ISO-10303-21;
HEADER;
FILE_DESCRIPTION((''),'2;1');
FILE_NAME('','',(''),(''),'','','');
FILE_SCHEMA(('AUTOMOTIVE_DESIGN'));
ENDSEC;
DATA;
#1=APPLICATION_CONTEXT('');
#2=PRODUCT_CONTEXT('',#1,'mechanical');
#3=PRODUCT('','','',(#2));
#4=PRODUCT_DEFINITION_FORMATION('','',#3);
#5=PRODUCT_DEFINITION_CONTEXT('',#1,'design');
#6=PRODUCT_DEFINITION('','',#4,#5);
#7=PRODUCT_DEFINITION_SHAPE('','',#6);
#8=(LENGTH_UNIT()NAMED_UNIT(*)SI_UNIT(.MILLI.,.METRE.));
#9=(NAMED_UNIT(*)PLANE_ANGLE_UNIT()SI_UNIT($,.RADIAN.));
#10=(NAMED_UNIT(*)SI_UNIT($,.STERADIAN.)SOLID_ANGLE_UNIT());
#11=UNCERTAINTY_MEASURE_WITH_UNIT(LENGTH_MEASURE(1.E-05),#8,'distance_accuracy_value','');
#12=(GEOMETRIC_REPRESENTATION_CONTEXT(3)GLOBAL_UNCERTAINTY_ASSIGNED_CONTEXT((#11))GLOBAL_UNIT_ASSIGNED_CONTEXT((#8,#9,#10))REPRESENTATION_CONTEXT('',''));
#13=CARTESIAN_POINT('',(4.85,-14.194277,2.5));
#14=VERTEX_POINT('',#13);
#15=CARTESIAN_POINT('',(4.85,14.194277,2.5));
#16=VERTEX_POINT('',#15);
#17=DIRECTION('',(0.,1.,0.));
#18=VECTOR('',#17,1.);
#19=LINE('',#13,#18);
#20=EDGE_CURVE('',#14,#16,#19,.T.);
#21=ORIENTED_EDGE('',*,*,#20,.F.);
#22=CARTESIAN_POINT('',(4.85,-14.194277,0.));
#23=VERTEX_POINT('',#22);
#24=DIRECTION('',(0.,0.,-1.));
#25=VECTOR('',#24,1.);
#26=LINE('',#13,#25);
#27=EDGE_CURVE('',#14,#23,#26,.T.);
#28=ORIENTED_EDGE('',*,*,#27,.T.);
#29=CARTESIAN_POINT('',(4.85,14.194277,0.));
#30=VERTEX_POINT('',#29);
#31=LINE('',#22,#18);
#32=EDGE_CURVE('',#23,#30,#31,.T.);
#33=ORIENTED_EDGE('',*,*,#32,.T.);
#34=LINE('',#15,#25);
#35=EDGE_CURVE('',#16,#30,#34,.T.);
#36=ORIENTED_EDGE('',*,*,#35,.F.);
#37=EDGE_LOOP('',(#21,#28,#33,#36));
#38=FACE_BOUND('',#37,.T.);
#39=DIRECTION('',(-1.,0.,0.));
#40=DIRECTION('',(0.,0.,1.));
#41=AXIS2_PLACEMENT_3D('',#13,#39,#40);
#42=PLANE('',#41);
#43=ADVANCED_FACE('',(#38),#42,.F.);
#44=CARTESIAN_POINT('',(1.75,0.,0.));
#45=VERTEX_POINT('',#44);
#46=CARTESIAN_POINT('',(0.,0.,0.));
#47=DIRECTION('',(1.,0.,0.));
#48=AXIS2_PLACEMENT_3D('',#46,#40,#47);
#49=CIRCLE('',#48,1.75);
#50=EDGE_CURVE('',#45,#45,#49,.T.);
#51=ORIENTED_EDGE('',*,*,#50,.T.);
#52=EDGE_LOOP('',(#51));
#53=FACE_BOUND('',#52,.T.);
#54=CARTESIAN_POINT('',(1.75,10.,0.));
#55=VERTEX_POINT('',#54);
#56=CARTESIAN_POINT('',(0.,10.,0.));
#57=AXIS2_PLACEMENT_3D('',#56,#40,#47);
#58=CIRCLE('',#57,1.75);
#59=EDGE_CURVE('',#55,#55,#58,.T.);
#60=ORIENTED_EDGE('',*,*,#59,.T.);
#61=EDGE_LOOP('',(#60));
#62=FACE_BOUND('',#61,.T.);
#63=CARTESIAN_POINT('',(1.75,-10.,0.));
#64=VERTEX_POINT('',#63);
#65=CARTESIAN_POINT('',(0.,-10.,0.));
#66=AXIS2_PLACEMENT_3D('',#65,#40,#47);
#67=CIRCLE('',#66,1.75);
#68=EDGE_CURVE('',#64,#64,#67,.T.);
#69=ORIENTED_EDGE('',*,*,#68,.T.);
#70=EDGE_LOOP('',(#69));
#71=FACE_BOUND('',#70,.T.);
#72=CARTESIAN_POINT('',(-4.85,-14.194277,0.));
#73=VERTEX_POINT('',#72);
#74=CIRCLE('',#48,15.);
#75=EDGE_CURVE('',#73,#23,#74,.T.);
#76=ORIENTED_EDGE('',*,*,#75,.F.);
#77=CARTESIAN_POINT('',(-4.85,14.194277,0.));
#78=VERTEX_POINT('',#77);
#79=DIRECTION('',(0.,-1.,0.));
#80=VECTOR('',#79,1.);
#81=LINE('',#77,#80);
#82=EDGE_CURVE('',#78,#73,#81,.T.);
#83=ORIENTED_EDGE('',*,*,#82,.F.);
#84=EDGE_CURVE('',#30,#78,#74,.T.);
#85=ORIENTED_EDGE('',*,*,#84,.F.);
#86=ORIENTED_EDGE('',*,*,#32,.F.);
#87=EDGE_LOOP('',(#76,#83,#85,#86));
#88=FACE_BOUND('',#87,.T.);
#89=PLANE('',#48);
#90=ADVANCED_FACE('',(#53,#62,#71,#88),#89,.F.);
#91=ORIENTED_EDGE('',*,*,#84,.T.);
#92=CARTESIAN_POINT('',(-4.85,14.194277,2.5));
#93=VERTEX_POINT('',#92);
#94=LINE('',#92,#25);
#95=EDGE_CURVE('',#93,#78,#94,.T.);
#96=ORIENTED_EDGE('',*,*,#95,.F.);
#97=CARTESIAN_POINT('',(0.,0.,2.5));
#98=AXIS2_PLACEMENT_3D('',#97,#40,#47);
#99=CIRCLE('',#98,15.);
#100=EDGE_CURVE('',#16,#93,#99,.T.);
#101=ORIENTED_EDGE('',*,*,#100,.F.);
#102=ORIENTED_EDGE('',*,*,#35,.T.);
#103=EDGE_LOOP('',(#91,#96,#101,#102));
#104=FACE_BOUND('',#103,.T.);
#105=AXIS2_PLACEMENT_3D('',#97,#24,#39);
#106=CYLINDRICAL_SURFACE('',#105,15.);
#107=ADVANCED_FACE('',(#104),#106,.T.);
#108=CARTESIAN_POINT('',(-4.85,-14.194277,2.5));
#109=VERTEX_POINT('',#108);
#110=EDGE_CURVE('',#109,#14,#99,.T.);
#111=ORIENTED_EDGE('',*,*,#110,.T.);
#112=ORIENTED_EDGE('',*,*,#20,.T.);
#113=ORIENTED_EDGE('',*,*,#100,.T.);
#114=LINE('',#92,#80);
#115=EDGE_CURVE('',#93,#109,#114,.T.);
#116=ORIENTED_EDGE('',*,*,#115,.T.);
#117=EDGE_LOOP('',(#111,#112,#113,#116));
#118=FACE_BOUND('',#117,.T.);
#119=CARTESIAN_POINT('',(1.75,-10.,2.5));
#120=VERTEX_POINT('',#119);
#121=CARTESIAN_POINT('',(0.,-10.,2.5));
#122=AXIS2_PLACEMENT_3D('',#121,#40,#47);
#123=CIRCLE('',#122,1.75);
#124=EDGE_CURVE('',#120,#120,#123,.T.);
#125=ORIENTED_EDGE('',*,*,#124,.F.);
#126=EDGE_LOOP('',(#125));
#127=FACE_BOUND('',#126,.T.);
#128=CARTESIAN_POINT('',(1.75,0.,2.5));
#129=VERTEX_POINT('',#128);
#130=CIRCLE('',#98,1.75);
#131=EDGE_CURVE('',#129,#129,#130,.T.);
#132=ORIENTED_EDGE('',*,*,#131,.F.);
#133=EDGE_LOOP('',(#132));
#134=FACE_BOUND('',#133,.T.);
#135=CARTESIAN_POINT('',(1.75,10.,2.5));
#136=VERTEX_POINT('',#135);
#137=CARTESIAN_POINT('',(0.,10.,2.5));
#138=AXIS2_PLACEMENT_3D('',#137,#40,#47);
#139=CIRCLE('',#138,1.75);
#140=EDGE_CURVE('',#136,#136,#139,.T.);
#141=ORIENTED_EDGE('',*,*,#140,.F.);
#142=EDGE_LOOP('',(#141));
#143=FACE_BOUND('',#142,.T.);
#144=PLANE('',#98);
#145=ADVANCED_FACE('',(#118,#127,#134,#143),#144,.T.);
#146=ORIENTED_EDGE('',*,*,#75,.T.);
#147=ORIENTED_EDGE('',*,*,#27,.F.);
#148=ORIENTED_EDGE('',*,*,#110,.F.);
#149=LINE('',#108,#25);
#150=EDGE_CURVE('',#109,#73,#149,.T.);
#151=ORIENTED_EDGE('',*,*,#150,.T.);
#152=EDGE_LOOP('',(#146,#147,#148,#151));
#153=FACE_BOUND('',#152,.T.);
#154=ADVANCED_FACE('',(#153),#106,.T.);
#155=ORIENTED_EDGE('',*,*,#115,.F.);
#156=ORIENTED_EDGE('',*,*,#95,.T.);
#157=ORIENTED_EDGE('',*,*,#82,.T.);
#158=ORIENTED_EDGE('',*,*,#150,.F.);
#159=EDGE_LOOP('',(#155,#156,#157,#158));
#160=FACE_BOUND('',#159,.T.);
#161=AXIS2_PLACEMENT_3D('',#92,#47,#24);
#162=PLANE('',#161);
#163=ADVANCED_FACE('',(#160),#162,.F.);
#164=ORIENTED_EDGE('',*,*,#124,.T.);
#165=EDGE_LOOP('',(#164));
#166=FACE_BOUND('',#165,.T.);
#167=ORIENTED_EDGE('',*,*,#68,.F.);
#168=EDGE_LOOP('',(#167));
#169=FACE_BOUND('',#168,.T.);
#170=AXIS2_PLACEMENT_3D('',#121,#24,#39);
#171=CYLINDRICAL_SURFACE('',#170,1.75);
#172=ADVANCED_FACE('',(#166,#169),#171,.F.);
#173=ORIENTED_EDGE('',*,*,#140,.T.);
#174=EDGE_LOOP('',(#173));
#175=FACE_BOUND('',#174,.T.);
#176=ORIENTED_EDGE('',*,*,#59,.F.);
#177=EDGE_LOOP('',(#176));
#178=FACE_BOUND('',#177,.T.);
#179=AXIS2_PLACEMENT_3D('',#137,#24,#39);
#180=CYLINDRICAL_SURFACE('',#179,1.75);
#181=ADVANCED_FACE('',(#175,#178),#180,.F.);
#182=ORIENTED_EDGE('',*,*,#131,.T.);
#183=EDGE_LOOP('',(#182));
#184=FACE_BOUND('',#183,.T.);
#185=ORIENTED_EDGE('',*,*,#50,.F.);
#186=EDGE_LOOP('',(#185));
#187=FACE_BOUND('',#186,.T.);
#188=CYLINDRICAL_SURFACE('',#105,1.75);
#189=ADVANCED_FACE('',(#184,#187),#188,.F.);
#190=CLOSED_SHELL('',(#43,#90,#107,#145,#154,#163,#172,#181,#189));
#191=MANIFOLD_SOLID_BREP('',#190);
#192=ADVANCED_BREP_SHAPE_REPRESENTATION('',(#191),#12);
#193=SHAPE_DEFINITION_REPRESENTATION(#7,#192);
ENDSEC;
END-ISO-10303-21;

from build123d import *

# Parameters (mm, degrees)
CROQUIS1_R              = 1.75
SALIENTE_EXTRUIR1_DEPTH = 2.5


with BuildPart() as part:
    # Croquis1 → Saliente-Extruir1 (new body)
    with BuildSketch(Plane.XY):
        with BuildLine():
            Line((-4.85, 14.194277016), (-4.85, -14.194277016))
            ThreePointArc((-4.85, -14.194277016), (0, -15), (4.85, -14.194277016))
            Line((4.85, -14.194277016), (4.85, 14.194277016))
            ThreePointArc((4.85, 14.194277016), (0, 15), (-4.85, 14.194277016))
        make_face()
        with Locations((0, 10)):
            Circle(CROQUIS1_R, mode=Mode.SUBTRACT)
        with Locations((0, -10)):
            Circle(CROQUIS1_R, mode=Mode.SUBTRACT)
        Circle(CROQUIS1_R, mode=Mode.SUBTRACT)
    extrude(amount=SALIENTE_EXTRUIR1_DEPTH)


solid = part.part
